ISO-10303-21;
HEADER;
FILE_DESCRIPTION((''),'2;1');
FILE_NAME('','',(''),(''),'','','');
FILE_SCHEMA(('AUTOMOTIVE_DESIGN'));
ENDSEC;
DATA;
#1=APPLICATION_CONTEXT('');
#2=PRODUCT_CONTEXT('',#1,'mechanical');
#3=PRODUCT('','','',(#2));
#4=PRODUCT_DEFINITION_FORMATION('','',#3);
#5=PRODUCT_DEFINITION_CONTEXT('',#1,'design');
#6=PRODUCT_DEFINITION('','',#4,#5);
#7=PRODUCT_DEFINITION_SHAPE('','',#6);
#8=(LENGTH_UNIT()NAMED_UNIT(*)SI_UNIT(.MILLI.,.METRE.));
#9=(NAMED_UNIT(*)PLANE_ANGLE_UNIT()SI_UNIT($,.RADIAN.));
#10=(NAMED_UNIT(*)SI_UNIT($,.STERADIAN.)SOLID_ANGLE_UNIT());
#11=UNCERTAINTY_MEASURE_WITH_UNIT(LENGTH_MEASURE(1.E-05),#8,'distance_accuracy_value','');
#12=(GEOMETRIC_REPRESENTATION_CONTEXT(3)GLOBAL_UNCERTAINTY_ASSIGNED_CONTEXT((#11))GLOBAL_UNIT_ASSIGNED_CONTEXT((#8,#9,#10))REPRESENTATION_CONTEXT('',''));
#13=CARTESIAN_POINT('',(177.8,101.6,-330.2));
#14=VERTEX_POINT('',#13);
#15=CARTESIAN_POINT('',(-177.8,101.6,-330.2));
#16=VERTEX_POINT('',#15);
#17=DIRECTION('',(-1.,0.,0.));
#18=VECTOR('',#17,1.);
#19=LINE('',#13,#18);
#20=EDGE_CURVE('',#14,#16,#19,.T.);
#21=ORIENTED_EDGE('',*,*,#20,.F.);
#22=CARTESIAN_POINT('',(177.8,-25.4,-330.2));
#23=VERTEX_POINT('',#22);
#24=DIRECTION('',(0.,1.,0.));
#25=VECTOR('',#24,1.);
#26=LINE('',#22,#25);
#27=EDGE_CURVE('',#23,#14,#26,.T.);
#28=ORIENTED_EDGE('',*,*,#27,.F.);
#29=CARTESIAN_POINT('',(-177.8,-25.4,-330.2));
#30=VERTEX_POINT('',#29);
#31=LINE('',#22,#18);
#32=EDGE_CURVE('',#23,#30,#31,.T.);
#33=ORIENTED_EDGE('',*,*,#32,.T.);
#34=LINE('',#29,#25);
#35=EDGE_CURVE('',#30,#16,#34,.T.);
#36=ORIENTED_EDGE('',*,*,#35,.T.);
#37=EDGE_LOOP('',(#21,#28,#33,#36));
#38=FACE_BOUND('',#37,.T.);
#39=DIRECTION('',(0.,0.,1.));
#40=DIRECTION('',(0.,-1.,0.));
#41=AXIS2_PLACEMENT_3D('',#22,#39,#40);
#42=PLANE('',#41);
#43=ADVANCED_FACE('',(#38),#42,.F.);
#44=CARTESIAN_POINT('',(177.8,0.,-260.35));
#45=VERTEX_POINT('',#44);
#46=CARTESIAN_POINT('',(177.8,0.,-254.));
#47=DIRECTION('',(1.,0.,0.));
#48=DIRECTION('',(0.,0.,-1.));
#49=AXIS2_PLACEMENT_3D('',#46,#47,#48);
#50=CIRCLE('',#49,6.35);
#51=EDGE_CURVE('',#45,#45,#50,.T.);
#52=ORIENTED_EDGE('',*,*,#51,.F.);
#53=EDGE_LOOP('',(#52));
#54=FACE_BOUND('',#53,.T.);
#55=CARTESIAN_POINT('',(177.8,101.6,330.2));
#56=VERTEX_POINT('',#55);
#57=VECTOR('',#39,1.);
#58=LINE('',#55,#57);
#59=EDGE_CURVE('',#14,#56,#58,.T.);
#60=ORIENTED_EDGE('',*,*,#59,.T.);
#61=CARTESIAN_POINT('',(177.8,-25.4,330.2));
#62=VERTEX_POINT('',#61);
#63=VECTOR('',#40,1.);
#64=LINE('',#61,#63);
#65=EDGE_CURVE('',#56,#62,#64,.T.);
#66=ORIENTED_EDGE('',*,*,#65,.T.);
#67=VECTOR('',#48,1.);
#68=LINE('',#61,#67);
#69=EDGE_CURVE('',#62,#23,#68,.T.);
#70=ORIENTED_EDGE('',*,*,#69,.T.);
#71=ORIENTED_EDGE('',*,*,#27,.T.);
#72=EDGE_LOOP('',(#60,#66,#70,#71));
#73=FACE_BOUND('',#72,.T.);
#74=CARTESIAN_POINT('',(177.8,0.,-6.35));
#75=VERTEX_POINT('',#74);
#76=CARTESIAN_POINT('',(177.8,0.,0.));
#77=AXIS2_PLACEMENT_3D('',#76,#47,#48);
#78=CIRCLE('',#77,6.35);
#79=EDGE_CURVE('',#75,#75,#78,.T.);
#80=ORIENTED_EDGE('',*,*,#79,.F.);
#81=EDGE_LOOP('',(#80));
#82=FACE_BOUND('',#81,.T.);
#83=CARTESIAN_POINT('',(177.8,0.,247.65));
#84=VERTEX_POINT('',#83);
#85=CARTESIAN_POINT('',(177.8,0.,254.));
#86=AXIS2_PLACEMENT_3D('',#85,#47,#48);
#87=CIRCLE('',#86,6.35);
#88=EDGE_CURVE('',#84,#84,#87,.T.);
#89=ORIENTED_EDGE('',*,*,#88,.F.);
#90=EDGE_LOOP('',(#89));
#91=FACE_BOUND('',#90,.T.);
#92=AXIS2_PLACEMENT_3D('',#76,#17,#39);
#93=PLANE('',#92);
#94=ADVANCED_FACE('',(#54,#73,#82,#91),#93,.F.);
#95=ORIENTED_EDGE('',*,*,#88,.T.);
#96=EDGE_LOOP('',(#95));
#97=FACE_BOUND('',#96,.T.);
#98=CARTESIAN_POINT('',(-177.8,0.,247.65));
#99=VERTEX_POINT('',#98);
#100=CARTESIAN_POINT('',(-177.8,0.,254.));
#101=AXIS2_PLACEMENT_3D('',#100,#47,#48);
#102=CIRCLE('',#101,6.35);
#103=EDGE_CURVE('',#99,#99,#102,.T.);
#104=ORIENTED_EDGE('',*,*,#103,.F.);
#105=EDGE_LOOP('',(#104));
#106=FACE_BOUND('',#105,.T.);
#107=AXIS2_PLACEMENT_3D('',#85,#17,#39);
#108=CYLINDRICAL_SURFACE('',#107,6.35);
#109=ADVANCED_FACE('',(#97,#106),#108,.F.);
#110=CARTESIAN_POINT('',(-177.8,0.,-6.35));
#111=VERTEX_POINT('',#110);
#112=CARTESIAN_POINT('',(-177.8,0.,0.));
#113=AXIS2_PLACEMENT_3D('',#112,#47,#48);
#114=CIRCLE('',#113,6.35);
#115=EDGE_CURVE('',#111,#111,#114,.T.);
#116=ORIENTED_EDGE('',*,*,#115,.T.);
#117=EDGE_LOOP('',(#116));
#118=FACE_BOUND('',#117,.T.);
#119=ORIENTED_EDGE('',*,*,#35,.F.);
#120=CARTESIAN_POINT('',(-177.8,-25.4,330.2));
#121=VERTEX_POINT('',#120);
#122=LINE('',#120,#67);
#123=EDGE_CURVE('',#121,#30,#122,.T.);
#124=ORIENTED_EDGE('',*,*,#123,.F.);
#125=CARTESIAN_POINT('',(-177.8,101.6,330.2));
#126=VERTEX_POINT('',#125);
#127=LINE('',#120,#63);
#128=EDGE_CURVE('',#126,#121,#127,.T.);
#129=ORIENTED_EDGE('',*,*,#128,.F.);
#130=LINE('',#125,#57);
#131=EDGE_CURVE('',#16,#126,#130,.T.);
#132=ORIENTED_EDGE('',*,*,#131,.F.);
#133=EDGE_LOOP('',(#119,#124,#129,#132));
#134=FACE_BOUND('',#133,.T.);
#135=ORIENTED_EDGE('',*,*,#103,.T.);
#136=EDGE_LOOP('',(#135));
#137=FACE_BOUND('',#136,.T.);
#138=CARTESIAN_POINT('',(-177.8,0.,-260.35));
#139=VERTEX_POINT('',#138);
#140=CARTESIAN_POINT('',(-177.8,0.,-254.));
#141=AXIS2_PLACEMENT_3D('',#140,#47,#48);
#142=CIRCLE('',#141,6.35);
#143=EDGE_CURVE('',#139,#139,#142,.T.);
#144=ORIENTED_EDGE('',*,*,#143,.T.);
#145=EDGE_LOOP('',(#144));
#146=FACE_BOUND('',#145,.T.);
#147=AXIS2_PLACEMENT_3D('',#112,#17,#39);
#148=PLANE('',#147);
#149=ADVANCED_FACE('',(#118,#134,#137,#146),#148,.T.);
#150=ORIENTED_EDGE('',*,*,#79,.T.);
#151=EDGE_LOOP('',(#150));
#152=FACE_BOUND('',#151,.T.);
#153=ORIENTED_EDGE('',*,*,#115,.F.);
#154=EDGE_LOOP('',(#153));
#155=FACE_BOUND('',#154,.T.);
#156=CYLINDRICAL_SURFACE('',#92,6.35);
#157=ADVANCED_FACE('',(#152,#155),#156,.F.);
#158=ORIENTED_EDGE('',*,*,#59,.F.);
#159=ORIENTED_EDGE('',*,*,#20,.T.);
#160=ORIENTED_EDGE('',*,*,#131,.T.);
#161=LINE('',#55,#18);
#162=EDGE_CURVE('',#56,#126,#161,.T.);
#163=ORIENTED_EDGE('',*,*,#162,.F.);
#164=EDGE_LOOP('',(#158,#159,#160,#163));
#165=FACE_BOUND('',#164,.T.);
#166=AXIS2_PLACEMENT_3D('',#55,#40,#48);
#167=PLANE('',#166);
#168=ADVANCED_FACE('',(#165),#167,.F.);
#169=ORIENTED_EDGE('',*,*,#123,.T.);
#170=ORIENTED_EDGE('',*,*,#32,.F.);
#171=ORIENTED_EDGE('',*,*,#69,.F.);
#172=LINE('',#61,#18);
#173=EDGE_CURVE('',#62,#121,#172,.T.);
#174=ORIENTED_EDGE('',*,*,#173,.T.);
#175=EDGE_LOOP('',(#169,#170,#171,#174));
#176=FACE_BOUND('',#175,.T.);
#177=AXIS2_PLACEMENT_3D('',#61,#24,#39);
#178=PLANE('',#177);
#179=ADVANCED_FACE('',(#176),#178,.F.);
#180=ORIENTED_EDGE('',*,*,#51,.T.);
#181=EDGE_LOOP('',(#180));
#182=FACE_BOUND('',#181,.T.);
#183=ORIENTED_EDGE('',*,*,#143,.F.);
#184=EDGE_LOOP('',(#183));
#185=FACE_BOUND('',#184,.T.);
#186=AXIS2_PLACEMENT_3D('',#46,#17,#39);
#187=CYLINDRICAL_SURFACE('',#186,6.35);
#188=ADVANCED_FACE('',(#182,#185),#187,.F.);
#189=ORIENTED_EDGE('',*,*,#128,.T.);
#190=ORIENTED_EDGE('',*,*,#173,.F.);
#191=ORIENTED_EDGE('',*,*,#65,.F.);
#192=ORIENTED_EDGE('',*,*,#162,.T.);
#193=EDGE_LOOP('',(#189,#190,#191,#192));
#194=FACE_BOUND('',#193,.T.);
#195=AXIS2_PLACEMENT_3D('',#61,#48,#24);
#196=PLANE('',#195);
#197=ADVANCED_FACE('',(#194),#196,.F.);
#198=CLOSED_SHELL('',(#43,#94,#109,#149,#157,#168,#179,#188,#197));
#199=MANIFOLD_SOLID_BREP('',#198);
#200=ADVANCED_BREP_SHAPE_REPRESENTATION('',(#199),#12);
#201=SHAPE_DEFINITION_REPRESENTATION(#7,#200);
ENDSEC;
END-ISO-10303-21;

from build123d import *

# Parameters (mm, degrees)
SKETCH2_W           = 660.4
SKETCH2_H           = 127
SKETCH2_R           = 6.35
BOSS_EXTRUDE1_DEPTH = 177.8


with BuildPart() as part:
    # Sketch2 → Boss-Extrude1 (new, symmetric)
    with BuildSketch(Plane(origin=(0, 0, 0), x_dir=(0, 0, -1), z_dir=(1, 0, 0))):
        with Locations((0, 38.1)):
            Rectangle(SKETCH2_W, SKETCH2_H)
        Circle(SKETCH2_R, mode=Mode.SUBTRACT)
        with Locations((-254, 0)):
            Circle(SKETCH2_R, mode=Mode.SUBTRACT)
        with Locations((254, 0)):
            Circle(SKETCH2_R, mode=Mode.SUBTRACT)
    extrude(amount=BOSS_EXTRUDE1_DEPTH, both=True)


solid = part.part
